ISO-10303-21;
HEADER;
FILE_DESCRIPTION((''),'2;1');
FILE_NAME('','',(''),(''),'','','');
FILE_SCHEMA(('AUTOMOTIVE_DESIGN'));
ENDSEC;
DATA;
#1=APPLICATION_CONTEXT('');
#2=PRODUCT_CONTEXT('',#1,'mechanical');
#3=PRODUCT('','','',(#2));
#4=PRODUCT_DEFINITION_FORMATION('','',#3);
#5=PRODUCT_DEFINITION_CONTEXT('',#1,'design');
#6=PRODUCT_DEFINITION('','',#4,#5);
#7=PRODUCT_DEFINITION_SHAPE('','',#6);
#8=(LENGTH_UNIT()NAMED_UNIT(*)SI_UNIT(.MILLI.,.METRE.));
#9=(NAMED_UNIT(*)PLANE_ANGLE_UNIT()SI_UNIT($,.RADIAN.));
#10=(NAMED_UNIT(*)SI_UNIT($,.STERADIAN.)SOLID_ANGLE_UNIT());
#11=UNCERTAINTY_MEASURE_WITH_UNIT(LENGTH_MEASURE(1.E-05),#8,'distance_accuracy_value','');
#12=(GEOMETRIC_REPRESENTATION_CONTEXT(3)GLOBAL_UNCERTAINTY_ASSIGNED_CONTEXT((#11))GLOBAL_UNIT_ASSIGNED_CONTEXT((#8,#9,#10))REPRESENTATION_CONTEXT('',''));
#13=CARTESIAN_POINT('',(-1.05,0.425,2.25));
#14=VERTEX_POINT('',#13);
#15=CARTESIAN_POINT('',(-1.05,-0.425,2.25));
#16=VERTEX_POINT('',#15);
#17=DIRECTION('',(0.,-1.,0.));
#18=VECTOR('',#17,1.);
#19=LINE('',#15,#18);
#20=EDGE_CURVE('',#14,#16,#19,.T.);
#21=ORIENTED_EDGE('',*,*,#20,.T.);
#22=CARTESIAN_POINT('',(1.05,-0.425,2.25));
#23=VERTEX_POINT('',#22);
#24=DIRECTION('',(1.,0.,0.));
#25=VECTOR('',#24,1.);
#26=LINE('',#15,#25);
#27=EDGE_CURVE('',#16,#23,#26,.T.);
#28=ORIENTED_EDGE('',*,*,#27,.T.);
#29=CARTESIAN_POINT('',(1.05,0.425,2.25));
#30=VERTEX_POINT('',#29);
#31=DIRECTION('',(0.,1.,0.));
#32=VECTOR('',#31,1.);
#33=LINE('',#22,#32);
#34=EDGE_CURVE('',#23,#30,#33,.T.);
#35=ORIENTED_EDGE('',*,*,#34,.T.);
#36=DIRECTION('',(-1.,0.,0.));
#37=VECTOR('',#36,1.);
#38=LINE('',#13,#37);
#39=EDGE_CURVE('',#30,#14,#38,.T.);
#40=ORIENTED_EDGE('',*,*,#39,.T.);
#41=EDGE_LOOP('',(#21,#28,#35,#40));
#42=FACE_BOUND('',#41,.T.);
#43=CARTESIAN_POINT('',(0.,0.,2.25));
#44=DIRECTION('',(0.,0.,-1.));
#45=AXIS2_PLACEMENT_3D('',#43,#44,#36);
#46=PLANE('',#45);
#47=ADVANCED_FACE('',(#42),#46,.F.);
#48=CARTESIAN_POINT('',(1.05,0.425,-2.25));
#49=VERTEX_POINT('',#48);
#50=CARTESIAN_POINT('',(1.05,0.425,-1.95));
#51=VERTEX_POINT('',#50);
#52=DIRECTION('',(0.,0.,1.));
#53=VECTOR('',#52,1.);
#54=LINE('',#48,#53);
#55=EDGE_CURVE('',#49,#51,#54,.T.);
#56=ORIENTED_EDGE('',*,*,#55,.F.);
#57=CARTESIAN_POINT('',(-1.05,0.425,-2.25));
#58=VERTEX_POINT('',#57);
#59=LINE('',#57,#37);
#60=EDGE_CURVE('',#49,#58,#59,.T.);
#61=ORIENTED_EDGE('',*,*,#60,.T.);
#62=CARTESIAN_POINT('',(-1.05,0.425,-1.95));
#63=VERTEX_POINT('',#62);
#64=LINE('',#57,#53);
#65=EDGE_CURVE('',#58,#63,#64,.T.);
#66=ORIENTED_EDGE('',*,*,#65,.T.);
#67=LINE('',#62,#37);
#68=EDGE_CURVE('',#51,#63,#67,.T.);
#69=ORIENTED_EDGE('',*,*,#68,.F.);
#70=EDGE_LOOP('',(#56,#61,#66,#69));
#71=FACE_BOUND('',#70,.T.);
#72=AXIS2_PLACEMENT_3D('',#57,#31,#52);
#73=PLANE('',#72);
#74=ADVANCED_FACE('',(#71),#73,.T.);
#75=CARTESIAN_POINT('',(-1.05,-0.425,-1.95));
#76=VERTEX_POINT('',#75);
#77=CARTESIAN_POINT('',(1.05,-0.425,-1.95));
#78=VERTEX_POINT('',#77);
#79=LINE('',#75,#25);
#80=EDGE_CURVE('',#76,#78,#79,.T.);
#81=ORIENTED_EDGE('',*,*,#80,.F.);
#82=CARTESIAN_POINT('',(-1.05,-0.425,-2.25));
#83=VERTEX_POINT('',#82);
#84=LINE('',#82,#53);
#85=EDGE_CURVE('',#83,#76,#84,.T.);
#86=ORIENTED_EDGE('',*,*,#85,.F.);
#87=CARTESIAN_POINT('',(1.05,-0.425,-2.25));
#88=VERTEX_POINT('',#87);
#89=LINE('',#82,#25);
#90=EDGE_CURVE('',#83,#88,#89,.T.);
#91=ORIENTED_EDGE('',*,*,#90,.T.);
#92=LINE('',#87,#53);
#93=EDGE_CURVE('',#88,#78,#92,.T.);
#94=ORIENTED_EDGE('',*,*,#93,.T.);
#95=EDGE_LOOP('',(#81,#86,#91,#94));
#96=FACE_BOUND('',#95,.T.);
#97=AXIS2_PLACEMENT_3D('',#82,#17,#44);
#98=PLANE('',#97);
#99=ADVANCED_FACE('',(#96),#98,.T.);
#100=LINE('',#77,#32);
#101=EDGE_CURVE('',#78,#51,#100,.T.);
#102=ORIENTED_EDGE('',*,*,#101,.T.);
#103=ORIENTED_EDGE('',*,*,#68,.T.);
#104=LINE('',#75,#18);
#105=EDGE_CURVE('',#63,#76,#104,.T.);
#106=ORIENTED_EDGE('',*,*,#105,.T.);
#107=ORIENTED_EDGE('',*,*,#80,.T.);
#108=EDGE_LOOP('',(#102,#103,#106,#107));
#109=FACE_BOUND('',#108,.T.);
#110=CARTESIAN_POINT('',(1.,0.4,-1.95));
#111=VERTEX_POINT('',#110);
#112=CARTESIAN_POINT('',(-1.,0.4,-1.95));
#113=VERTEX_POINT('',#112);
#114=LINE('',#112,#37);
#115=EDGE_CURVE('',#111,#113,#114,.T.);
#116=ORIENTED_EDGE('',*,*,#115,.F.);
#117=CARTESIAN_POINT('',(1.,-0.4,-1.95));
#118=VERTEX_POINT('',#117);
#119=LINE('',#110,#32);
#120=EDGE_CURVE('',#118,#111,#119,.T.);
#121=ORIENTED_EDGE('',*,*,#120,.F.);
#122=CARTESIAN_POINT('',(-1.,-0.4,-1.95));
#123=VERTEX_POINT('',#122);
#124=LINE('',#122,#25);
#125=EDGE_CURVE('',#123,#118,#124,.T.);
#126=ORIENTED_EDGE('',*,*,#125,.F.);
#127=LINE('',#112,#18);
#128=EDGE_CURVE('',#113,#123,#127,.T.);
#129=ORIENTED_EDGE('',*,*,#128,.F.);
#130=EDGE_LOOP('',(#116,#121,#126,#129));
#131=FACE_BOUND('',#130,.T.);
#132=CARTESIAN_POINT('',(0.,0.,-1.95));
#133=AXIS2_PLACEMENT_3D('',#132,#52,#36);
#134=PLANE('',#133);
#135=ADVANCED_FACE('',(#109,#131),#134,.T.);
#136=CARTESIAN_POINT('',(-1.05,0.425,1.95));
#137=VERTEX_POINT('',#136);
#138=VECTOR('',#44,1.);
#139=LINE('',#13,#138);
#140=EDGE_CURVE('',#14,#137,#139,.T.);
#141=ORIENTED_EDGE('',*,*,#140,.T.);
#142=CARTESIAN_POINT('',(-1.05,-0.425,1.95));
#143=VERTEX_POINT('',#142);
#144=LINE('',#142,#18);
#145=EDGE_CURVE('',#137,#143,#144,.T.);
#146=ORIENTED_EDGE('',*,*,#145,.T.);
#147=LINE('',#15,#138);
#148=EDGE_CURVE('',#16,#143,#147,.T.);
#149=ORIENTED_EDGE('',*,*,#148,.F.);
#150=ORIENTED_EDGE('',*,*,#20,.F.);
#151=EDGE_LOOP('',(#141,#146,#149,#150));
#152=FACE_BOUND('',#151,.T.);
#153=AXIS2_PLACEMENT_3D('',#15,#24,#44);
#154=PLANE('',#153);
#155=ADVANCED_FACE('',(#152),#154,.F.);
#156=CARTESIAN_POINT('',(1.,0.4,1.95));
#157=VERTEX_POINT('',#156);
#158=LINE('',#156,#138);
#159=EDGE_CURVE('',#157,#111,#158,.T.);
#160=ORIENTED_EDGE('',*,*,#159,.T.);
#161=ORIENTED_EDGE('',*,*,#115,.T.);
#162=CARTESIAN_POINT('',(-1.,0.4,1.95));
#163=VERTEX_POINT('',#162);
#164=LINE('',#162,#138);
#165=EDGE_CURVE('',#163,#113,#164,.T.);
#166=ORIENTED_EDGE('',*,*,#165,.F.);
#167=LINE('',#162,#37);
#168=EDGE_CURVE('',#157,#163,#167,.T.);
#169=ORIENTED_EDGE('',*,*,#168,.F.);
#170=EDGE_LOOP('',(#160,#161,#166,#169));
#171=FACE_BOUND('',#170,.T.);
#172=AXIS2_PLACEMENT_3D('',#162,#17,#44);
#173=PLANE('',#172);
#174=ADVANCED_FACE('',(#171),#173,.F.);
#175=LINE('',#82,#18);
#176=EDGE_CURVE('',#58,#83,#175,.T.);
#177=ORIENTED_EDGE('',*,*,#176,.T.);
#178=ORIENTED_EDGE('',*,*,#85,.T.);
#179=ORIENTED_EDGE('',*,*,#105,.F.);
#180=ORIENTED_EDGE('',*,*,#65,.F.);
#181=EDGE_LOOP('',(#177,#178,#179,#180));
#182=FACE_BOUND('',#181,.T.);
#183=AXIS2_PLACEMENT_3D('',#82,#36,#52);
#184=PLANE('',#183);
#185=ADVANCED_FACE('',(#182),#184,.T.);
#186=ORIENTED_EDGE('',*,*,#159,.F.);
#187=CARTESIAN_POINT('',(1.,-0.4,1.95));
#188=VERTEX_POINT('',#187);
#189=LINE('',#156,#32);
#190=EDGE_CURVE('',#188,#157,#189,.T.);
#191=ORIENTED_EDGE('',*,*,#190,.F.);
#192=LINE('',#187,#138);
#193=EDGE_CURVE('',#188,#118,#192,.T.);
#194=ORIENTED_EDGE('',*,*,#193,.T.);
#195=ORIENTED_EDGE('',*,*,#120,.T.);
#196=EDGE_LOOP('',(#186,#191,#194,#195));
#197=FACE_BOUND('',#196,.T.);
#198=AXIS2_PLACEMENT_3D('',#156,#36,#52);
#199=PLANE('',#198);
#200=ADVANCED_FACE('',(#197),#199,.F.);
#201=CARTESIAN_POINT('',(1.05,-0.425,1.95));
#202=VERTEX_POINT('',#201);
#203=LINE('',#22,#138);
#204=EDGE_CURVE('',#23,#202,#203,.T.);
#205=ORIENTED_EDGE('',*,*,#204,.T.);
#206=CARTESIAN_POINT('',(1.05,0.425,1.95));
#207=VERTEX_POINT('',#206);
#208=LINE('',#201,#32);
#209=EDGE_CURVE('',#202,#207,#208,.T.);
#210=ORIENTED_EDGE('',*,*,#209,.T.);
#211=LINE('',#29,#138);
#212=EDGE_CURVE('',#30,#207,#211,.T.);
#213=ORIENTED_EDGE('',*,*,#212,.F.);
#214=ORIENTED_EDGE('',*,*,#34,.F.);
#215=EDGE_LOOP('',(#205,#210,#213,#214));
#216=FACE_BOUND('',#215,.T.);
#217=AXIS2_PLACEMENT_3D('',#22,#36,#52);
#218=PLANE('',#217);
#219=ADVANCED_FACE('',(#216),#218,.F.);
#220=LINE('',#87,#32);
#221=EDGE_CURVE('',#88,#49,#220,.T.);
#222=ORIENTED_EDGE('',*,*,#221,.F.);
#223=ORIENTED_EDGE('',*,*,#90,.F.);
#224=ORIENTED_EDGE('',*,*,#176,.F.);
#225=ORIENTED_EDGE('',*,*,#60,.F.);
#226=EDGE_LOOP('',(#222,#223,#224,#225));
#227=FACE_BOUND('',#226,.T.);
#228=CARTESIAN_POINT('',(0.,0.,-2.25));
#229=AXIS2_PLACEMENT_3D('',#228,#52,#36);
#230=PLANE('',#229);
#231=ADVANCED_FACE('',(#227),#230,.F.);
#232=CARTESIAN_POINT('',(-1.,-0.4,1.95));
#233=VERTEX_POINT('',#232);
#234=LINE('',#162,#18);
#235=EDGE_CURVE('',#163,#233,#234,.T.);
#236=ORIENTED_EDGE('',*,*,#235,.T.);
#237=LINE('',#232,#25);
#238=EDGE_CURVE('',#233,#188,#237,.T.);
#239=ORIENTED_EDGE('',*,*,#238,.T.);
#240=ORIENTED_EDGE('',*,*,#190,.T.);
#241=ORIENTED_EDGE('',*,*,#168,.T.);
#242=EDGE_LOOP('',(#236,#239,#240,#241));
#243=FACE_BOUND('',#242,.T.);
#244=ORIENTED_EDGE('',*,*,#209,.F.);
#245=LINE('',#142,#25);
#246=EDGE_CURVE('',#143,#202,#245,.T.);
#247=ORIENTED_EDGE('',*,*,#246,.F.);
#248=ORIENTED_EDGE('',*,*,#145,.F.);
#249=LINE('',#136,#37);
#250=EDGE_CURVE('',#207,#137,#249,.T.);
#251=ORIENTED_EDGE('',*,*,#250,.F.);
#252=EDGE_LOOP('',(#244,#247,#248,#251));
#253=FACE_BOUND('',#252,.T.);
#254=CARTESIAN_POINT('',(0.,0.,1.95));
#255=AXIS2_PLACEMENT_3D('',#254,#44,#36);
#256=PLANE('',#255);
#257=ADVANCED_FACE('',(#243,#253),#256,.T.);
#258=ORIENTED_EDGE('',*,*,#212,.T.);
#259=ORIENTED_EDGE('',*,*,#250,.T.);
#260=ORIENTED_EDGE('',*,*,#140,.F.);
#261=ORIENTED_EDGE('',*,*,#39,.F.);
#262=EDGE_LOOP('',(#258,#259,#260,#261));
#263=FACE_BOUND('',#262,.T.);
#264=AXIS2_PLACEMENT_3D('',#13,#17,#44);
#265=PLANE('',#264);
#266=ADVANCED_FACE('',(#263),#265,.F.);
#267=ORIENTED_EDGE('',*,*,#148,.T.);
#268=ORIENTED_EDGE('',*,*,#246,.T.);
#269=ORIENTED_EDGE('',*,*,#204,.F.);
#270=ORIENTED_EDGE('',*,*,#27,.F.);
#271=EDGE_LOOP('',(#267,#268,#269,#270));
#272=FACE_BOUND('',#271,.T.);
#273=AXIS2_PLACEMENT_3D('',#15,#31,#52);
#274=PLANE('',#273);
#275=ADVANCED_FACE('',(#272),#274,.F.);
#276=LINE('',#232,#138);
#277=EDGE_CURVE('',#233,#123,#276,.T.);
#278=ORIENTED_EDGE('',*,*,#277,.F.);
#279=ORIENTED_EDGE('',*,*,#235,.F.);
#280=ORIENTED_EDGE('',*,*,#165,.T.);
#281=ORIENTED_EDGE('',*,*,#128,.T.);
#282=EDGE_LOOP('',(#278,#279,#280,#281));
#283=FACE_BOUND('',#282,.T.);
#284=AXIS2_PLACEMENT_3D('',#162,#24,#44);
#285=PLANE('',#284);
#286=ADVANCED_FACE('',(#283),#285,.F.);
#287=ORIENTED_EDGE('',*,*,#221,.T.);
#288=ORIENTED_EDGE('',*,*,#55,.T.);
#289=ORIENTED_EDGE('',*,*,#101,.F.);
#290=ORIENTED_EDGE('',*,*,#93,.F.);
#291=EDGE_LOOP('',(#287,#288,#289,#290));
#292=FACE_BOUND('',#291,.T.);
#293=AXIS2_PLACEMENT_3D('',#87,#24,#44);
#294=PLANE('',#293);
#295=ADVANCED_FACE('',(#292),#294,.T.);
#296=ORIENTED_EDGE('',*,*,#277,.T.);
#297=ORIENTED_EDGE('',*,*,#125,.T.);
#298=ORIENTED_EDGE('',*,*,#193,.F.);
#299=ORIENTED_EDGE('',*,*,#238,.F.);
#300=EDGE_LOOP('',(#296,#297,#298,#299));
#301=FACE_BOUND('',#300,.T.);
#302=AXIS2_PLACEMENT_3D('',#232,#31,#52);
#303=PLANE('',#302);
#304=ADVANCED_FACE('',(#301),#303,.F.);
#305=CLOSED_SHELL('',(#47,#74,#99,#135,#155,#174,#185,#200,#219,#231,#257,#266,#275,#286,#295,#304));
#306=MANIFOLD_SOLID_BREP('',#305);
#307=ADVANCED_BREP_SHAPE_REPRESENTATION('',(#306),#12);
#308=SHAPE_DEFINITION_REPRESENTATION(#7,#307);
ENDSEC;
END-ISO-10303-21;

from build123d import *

# Parameters (mm, degrees)
SKETCH_1_W      = 2
SKETCH_1_H      = 0.8
EXTRUDE_1_DEPTH = 1.95
SKETCH_2_W      = 2.1
SKETCH_2_H      = 0.85
EXTRUDE_2_DEPTH = 0.3


with BuildPart() as part:
    # Эскиз1 → Бобышка-Вытянуть1 (new body)
    with BuildSketch(Plane.XY):
        Rectangle(SKETCH_1_W, SKETCH_1_H)
    extrude_1 = extrude(amount=EXTRUDE_1_DEPTH)

    # Эскиз2 → Бобышка-Вытянуть2 (add)
    with BuildSketch(Plane.XY.offset(1.95)):
        Rectangle(SKETCH_2_W, SKETCH_2_H)
    extrude_2 = extrude(amount=EXTRUDE_2_DEPTH)


with BuildPart() as mirror_1_1:
    # Зеркальное отражение1: Бобышка-Вытянуть1, Бобышка-Вытянуть2 across Front Plane
    add(extrude_1.mirror(Plane.XY))
    add(extrude_2.mirror(Plane.XY))


with BuildPart() as part_1:
    add(part.part)

    # Зеркальное отражение1 united with what the copies tou: union Зеркальное отражение1_1
    add(mirror_1_1.part)


solid = part_1.part
